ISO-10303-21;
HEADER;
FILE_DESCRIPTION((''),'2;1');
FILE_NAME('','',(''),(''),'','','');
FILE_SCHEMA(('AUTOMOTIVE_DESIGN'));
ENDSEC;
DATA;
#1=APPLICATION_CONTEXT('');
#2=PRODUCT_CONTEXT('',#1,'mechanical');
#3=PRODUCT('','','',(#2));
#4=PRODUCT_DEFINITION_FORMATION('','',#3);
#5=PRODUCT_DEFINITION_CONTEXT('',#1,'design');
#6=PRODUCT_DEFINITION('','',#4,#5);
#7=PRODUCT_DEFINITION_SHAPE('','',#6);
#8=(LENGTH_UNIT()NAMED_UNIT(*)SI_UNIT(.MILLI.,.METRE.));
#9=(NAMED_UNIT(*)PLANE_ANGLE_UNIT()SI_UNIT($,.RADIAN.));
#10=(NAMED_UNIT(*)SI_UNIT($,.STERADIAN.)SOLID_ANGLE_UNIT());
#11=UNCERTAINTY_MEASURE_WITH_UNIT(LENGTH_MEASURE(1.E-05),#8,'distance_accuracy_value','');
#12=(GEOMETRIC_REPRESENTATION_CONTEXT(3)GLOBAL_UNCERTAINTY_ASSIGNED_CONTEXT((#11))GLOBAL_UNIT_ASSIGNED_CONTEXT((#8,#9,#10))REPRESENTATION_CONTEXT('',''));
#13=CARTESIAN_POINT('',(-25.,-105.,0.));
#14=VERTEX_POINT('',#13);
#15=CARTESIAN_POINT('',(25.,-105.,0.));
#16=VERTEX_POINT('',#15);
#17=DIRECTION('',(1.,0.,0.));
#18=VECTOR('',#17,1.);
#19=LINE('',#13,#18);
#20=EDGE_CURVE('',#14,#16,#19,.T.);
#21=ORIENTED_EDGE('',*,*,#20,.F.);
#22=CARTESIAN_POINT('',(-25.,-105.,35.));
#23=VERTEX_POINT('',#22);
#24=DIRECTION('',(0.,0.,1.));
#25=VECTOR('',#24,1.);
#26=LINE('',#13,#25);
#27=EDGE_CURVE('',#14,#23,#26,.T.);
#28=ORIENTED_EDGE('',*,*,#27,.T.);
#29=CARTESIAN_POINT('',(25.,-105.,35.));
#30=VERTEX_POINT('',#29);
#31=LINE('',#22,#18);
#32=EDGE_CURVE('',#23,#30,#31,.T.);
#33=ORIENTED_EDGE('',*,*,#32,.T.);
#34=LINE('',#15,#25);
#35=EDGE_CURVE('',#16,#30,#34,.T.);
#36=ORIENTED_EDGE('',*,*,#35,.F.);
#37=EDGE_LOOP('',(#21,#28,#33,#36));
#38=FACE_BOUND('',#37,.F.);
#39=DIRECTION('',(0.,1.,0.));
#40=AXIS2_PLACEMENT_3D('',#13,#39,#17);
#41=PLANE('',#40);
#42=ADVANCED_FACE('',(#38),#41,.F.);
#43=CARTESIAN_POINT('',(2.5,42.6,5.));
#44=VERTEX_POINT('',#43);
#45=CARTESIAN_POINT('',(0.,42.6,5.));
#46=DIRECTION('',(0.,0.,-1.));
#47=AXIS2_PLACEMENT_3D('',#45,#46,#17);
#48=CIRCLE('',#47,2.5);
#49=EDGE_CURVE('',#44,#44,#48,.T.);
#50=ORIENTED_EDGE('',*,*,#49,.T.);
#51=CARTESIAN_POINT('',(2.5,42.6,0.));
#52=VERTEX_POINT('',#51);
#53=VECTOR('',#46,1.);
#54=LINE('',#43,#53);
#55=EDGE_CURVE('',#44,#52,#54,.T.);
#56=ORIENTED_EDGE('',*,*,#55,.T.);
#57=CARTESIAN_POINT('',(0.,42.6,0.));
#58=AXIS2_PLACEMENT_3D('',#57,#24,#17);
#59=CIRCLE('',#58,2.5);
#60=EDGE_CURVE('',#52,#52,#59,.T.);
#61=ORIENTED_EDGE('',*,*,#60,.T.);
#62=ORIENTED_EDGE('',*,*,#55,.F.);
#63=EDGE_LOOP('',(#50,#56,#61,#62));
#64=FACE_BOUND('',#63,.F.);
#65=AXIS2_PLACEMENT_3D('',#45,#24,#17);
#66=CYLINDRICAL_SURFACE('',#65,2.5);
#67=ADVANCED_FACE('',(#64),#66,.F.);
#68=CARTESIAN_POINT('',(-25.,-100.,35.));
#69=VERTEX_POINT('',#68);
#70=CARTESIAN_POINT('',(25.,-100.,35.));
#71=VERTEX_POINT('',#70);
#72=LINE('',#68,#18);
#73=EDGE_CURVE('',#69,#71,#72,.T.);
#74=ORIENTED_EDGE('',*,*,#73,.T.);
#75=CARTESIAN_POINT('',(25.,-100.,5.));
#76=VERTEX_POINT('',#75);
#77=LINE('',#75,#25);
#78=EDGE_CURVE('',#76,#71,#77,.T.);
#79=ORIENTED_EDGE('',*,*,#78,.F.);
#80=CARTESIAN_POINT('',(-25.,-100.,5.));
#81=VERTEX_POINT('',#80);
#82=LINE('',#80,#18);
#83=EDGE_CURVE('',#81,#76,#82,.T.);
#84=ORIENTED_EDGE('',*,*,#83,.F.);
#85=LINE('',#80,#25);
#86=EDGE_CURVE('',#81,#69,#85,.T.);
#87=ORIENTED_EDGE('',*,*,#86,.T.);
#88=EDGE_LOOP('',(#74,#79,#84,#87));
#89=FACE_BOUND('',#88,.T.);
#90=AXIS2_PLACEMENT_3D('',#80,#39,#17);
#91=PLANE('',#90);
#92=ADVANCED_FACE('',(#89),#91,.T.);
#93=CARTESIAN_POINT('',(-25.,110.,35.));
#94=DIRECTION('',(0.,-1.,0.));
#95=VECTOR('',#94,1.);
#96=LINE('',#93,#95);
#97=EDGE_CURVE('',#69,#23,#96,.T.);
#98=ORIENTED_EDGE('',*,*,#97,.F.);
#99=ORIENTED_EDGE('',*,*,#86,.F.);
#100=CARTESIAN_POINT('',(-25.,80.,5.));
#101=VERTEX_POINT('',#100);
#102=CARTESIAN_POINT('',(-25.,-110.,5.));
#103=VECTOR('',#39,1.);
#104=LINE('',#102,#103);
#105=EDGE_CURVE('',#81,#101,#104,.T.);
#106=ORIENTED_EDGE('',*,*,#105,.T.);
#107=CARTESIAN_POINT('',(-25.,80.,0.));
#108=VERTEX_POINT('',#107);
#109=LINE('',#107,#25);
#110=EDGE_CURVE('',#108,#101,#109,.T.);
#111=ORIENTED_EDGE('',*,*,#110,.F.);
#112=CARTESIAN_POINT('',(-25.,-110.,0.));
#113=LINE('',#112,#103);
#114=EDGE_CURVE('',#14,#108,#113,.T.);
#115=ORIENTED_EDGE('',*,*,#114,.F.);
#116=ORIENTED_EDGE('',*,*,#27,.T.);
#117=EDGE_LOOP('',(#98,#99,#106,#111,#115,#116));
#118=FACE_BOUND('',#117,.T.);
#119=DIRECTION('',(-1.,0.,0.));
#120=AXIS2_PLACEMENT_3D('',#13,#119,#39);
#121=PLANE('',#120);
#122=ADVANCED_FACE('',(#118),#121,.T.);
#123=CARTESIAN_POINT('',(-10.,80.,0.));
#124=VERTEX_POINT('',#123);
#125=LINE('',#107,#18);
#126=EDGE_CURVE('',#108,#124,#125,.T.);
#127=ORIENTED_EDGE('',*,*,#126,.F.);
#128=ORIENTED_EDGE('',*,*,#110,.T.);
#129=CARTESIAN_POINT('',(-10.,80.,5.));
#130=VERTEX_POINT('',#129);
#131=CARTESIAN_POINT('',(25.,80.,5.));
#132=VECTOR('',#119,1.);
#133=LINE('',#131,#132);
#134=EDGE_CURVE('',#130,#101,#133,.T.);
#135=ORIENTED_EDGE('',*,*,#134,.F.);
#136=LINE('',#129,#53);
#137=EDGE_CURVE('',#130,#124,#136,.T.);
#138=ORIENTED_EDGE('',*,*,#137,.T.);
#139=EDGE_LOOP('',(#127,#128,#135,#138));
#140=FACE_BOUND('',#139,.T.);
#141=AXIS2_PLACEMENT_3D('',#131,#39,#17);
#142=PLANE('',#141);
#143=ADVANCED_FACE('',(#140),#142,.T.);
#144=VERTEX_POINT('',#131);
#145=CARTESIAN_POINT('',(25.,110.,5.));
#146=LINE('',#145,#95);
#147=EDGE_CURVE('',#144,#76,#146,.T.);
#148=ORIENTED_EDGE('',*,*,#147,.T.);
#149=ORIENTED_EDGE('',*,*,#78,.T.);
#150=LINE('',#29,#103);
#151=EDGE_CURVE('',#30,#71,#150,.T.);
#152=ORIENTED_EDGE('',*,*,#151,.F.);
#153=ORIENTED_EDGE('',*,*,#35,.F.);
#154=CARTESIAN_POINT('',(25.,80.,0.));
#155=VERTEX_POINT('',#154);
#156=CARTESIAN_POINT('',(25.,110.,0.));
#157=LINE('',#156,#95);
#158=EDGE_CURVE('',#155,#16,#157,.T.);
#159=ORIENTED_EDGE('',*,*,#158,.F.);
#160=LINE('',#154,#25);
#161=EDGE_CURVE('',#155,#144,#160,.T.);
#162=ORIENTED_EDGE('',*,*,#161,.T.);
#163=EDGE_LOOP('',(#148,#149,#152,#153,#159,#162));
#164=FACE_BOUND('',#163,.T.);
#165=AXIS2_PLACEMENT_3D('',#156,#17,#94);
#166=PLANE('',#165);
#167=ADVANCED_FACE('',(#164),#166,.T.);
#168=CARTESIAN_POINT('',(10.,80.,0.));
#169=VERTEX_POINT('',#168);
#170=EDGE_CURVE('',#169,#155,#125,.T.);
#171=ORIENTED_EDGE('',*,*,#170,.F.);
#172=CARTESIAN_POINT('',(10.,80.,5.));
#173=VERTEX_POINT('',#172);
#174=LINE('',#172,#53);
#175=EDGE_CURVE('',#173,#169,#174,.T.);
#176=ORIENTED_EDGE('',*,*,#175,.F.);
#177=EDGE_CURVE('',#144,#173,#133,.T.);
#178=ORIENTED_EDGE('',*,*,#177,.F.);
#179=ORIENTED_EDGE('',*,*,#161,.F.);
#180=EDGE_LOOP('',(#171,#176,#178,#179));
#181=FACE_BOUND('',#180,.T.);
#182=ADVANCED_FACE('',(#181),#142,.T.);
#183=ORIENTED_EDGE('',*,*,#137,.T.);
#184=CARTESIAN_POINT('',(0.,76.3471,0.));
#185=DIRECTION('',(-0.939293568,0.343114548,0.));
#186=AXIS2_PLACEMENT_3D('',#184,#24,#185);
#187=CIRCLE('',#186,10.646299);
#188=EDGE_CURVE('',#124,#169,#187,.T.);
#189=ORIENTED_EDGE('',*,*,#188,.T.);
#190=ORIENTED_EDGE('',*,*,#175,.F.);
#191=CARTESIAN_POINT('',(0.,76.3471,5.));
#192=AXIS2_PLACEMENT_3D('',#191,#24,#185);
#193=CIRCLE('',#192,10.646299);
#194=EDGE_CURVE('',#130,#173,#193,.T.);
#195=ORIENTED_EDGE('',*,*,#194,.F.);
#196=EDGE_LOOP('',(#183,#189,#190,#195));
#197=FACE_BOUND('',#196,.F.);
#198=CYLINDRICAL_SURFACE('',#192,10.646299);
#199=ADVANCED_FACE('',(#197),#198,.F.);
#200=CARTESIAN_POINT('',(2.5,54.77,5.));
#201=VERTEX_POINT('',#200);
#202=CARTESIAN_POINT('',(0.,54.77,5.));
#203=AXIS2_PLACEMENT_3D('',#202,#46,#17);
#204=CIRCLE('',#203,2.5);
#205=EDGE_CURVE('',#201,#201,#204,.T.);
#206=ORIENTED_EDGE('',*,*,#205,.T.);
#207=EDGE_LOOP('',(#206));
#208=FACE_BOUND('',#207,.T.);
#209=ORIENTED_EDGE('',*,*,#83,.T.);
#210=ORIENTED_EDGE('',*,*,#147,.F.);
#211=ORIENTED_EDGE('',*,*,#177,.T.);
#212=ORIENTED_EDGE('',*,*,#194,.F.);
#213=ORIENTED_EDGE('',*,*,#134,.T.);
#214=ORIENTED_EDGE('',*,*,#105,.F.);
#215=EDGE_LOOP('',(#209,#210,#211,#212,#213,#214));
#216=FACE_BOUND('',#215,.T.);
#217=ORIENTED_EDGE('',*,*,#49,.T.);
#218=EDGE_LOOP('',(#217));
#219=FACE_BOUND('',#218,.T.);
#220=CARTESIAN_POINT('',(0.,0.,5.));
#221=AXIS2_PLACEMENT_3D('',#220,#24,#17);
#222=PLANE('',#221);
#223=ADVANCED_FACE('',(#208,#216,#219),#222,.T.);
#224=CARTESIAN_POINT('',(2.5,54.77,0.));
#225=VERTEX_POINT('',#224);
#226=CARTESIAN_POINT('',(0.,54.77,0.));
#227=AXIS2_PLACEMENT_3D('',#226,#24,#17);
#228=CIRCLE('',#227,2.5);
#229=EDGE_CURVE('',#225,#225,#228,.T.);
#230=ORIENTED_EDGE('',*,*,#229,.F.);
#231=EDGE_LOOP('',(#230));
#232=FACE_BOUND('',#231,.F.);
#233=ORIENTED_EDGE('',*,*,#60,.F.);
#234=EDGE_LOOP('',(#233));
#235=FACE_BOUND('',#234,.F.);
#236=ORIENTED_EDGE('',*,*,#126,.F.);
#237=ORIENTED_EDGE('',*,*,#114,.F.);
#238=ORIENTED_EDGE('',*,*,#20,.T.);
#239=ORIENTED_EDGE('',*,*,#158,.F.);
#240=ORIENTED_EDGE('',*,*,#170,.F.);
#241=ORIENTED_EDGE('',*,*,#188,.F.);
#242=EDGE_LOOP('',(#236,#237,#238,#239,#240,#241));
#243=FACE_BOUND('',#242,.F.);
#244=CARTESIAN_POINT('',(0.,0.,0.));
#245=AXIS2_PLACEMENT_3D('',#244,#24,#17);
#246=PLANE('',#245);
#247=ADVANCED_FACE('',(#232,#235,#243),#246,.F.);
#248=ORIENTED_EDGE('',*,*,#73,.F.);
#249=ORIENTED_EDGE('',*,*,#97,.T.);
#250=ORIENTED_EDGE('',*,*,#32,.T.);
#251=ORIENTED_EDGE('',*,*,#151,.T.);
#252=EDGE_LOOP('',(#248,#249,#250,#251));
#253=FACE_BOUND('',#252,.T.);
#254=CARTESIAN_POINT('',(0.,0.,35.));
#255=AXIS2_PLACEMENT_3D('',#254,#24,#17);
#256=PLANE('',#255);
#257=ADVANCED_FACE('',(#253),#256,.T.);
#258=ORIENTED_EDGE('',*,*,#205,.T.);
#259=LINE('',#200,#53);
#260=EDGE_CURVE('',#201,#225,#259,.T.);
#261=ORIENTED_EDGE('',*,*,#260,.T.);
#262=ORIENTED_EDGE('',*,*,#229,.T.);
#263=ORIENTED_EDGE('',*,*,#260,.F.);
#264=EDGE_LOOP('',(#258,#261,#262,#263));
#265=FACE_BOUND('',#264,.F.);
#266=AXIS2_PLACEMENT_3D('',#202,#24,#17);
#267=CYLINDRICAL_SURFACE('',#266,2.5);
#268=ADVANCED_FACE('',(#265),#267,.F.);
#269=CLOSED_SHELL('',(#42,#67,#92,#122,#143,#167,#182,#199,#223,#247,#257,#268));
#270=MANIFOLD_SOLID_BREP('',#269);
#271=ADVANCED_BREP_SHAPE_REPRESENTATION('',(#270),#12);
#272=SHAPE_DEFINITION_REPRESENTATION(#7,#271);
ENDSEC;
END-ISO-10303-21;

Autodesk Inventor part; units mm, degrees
ref_plane "YZ Plane" through (0, 0, 0) normal (1, 0, 0) x (0, 1, 0)
ref_plane "XZ Plane" through (0, 0, 0) normal (0, 1, 0) x (-1, 0, 0)
ref_plane "XY Plane" through (0, 0, 0) normal (0, 0, 1) x (1, 0, 0)
sketch "Sketch1" plane through (0, 0, 0) normal (0, 0, 1) x (1, 0, 0)
  line L0 (-25, -110) -> (-25, 110)
  line L1 (-25, 110) -> (25, 110)
  line L2 (25, 110) -> (25, -110)
  line L3 (25, -110) -> (-25, -110)
  line L4 (-25, -110) -> (25, 110) construction
  line L5 (-25, 110) -> (25, -110) construction
  line L6 (-25, -110) -> (-25, -105)
  line L7 (-25, -105) -> (25, -105)
  point P0 (0, 0)
  dimension "d0" = 220
  dimension "d1" = 50
  dimension "d2" = 5
extrude "Extrusion1" add sketch "Sketch1" along normal blind 5 contours L0 L1 L2 L7
sketch "Sketch2" plane through (0, 0, 5) normal (0, 0, 1) x (1, 0, 0)
  line L0 (-25, 110) -> (-25, -105) projected
  line L1 (-25, -105) -> (-25, -100)
  line L2 (-25, -100) -> (25, -100)
  line L3 (25, -105) -> (25, 110) projected
  line L4 (25, -100) -> (25, -105)
  line L5 (-25, -105) -> (25, -105) projected
  line L6 (-25, -105) -> (25, -105)
  point P0 (0, 0)
  dimension "d5" = 5
extrude "Extrusion2" add sketch "Sketch2" along normal blind 30
sketch "Sketch3" plane through (0, 0, 5) normal (0, 0, 1) x (1, 0, 0)
  line L0 (25, 110) -> (-25, 110) projected
  line L1 (0, 110) -> (-5, 110)
  line L2 (-5, 110) -> (5, 110)
  arc A0 (-5, 110) -> (5, 110) centre (0, 110) ccw
  point P0 (0, 0)
  dimension "d8" = 5
  dimension "d9" = 10
  dimension "d10" = 5
extrude "Extrusion3" cut sketch "Sketch3" against normal blind 30
ref_plane "Work Plane1" through (0, -105, 0) normal (1, 0, 0) x (0, 0, -1)
sketch "Sketch4" plane through (25, 110, 5) normal (0, 1, 0) x (1, 0, 0)
  line L0 (0, 0) -> (0, -30) projected
  line L1 (-50, 5) -> (-50, -30) projected
  line L2 (0, 0) -> (-50, 0)
  line L3 (-50, 0) -> (-50, 5)
  line L4 (-50, 5) -> (0, 5)
  line L5 (0, 5) -> (0, 0)
  point P0 (-25, 5)
extrude "Extrusion4" cut sketch "Sketch4" against normal blind 30
sketch "Sketch5" plane through (0, 0, 5) normal (0, 0, 1) x (1, 0, 0)
  line L0 (-25, 80) -> (25, 80) projected
  line L1 (0, 80) -> (-10, 80)
  line L2 (-10, 80) -> (10, 80)
  arc A0 (-10, 80) -> (10, 80) centre (0, 80) ccw
  point P0 (0, 0)
  dimension "d15" = 10
  dimension "d16" = 20
  dimension "d17" = 10
extrude "Extrusion5" cut sketch "Sketch5" against normal blind 30
sketch "Sketch6" plane through (0, 0, 5) normal (0, 0, 1) x (1, 0, 0)
  line L0 (0, 80) -> (0, 54.77)
  line L1 (0, 54.77) -> (0, 42.6)
  circle A0 centre (0, 54.77) radius 2.5
  circle A1 centre (0, 42.6) radius 2.5
  point P0 (0, 0)
  dimension "d20" = 25.23
  dimension "d21" = 12.17
  dimension "d22" = 5
  dimension "d23" = 5
extrude "Extrusion6" cut sketch "Sketch6" against normal blind 30
sketch "Sketch7" plane through (0, 0, 5) normal (0, 0, 1) x (1, 0, 0)
  arc A0 (-10, 80) -> (10, 80) centre (0, 80) ccw projected
  line L0 (10, 80) -> (25, 80) projected
  arc A1 (-10, 80) -> (10, 80) centre (0, 76.3471) ccw
  point P0 (0, 0)
extrude "Extrusion7" cut sketch "Sketch7" against normal blind 30
properties part number "Large Syring Mount"
